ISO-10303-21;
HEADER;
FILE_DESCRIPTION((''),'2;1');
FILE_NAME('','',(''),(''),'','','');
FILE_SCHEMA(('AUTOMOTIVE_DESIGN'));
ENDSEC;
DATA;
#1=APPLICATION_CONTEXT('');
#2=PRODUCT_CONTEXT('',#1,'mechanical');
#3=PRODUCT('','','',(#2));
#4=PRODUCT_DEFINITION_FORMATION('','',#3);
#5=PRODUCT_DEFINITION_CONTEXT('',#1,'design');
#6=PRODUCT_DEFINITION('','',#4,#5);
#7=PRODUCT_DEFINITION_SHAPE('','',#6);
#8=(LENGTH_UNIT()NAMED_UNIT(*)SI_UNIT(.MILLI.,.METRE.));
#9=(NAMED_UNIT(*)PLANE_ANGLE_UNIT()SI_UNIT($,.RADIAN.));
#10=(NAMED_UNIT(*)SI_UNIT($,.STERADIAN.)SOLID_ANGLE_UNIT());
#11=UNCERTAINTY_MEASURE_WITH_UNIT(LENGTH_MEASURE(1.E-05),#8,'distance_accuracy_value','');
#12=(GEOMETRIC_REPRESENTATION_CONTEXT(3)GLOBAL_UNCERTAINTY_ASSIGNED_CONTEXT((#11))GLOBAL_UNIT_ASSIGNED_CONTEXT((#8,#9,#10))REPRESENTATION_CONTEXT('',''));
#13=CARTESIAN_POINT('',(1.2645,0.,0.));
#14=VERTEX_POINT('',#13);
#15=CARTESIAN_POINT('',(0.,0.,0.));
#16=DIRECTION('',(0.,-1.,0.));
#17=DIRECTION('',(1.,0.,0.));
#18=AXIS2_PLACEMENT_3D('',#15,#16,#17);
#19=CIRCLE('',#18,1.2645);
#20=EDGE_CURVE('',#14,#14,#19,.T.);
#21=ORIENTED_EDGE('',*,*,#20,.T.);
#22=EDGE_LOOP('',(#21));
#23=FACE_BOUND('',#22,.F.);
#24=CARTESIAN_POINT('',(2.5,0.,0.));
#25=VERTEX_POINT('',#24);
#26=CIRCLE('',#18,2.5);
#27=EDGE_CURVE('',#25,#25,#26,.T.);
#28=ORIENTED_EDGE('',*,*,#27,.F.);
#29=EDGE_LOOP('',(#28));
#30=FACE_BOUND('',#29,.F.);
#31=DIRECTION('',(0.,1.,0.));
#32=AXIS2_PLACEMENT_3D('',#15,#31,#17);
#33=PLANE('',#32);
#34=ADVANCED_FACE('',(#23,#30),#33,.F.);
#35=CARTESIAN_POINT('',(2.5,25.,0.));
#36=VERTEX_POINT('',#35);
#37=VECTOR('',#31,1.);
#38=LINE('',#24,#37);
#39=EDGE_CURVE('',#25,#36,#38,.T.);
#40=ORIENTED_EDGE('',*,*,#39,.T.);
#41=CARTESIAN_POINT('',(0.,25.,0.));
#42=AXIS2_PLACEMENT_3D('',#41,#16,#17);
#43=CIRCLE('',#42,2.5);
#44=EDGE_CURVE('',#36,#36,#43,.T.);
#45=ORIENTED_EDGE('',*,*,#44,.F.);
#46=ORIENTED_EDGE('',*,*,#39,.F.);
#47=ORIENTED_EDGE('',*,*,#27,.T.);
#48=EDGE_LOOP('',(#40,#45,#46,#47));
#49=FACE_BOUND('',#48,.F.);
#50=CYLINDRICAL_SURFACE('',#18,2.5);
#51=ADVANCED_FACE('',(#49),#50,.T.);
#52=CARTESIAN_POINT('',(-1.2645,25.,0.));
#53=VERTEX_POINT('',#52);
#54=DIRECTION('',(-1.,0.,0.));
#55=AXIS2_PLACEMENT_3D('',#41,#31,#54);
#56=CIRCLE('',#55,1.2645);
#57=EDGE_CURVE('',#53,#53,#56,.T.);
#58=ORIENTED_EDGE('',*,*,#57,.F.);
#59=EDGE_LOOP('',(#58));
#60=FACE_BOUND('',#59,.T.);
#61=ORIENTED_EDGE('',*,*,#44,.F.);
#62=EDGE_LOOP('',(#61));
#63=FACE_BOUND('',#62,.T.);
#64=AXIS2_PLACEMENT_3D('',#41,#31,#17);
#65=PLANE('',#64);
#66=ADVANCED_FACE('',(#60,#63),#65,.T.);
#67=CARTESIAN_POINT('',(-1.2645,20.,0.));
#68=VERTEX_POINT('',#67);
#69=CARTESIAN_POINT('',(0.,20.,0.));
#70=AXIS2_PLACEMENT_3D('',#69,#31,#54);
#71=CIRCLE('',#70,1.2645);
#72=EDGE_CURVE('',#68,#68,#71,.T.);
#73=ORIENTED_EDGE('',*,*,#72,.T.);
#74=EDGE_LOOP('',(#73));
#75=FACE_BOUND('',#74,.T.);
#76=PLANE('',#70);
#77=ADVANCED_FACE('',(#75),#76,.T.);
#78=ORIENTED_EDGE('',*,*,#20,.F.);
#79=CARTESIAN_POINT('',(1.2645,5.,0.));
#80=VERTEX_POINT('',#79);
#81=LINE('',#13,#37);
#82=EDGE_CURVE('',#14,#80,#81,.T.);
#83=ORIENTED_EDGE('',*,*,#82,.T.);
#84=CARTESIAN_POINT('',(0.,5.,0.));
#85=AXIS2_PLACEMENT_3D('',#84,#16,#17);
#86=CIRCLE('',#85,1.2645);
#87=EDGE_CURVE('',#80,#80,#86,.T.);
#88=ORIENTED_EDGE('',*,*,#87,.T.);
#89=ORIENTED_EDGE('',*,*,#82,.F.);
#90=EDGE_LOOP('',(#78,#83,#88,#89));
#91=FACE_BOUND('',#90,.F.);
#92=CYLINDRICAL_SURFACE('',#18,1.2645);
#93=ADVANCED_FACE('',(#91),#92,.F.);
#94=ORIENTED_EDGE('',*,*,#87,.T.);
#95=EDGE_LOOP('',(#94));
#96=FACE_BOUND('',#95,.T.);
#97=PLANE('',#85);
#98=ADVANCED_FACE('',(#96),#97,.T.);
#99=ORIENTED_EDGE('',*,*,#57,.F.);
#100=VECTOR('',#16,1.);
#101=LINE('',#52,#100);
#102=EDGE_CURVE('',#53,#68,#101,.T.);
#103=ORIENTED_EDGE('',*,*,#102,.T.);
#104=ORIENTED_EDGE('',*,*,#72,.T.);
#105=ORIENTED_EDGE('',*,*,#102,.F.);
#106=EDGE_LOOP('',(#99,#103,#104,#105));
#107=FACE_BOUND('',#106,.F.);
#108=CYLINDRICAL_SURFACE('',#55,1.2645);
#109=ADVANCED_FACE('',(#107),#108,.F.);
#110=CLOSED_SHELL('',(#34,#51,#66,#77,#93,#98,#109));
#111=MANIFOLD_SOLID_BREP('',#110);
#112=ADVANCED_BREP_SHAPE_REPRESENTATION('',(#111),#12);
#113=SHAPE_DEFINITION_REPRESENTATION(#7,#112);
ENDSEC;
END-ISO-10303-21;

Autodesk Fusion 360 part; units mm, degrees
sketch "Sketch1" plane through (0, 0, 0) normal (0, 1, 0) x (1, 0, 0)
  circle A0 centre (0, 0) radius 2.5
  dimension "d1" = 5
extrude "Extrude1" add sketch "Sketch1" along normal blind 25
sketch "Sketch2" plane through (0, 25, 0) normal (0, 1, 0) x (-1, 0, 0)
  circle A0 centre (0, 0) radius 1.5
  dimension "d4" = 3
extrude "Extrude2" cut sketch "Sketch2" against normal blind 5
sketch "Sketch3" plane through (0, 0, 0) normal (0, -1, 0) x (1, 0, 0)
  circle A0 centre (0, 0) radius 1.5
  dimension "d7" = 3
extrude "Extrude3" cut sketch "Sketch3" against normal blind 5
thread "Thread1" "ISO Metric profile 3.0 M3x0.5 6H" major diameter 3.086 minor diameter 2.529 pitch 0.5 angle 60 resizes the face on face at (1.4981, 3.3333, -0.0748)
thread "Thread2" "ISO Metric profile 3.0 M3x0.5 6H" major diameter 3.086 minor diameter 2.529 pitch 0.5 angle 60 resizes the face on face at (-1.4981, 21.6667, -0.0748)
